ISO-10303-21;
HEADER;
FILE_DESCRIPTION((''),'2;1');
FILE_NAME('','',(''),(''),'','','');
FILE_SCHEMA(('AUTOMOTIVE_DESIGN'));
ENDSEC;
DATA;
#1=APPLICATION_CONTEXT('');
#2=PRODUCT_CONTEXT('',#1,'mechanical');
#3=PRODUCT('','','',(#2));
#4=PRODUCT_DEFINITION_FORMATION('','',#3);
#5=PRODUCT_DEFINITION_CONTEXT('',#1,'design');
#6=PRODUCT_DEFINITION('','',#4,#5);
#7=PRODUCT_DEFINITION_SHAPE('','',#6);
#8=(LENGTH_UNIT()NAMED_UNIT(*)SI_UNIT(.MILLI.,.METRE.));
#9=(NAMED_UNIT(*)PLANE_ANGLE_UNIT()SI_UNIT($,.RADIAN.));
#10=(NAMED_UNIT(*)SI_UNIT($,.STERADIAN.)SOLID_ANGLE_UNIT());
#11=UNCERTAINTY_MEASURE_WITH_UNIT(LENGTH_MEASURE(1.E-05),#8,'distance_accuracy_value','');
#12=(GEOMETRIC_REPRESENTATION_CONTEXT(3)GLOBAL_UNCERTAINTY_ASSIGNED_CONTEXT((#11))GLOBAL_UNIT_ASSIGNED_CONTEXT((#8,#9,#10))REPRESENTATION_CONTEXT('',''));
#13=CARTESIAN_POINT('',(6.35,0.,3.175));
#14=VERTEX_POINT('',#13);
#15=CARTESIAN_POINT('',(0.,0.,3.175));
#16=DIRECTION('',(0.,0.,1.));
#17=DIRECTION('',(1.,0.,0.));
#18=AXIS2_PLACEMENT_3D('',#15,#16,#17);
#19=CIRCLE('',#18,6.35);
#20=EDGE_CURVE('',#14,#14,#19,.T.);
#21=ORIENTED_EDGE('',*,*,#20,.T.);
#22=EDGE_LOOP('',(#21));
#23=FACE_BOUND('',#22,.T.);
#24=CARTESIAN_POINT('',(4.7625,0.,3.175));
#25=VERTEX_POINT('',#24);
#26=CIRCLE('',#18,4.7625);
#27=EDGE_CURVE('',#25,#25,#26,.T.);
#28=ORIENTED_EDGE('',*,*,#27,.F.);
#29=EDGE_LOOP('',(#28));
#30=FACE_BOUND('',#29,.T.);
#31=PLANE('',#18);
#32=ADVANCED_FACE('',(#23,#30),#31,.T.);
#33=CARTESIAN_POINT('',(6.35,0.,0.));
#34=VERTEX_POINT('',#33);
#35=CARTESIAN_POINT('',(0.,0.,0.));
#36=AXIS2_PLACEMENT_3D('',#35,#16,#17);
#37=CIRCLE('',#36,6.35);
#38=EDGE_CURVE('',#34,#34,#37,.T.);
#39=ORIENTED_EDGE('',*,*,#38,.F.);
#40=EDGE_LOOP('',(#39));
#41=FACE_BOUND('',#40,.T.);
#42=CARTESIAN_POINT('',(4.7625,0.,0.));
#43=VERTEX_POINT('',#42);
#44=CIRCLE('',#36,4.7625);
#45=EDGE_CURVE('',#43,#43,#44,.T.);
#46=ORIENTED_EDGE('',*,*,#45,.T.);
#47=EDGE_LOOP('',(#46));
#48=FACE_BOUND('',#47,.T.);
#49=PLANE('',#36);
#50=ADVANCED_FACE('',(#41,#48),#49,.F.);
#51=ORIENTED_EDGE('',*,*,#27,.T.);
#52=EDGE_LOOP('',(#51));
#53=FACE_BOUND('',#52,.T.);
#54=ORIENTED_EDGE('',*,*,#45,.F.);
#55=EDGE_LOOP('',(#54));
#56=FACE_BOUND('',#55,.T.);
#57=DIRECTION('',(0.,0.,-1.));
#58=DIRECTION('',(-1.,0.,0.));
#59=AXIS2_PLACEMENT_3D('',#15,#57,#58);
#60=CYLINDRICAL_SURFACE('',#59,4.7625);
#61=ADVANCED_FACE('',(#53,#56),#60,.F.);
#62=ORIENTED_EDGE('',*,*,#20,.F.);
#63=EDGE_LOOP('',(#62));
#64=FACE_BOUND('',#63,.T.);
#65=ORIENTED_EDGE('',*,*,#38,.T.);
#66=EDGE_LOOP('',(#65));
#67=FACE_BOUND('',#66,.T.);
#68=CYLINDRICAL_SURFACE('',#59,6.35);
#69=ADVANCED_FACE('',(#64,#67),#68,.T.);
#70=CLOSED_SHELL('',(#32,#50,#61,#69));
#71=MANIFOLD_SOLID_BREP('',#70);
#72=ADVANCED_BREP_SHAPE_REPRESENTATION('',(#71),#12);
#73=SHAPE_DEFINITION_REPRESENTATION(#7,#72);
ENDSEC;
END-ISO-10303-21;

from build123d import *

# Parameters (mm, degrees)
SKETCH1_R           = 6.35
SKETCH1_R_2         = 4.7625
BOSS_EXTRUDE1_DEPTH = 3.175


with BuildPart() as part:
    # Sketch1 → Boss-Extrude1 (new body)
    with BuildSketch(Plane.XY):
        Circle(SKETCH1_R)
        Circle(SKETCH1_R_2, mode=Mode.SUBTRACT)
    extrude(amount=BOSS_EXTRUDE1_DEPTH)


solid = part.part
